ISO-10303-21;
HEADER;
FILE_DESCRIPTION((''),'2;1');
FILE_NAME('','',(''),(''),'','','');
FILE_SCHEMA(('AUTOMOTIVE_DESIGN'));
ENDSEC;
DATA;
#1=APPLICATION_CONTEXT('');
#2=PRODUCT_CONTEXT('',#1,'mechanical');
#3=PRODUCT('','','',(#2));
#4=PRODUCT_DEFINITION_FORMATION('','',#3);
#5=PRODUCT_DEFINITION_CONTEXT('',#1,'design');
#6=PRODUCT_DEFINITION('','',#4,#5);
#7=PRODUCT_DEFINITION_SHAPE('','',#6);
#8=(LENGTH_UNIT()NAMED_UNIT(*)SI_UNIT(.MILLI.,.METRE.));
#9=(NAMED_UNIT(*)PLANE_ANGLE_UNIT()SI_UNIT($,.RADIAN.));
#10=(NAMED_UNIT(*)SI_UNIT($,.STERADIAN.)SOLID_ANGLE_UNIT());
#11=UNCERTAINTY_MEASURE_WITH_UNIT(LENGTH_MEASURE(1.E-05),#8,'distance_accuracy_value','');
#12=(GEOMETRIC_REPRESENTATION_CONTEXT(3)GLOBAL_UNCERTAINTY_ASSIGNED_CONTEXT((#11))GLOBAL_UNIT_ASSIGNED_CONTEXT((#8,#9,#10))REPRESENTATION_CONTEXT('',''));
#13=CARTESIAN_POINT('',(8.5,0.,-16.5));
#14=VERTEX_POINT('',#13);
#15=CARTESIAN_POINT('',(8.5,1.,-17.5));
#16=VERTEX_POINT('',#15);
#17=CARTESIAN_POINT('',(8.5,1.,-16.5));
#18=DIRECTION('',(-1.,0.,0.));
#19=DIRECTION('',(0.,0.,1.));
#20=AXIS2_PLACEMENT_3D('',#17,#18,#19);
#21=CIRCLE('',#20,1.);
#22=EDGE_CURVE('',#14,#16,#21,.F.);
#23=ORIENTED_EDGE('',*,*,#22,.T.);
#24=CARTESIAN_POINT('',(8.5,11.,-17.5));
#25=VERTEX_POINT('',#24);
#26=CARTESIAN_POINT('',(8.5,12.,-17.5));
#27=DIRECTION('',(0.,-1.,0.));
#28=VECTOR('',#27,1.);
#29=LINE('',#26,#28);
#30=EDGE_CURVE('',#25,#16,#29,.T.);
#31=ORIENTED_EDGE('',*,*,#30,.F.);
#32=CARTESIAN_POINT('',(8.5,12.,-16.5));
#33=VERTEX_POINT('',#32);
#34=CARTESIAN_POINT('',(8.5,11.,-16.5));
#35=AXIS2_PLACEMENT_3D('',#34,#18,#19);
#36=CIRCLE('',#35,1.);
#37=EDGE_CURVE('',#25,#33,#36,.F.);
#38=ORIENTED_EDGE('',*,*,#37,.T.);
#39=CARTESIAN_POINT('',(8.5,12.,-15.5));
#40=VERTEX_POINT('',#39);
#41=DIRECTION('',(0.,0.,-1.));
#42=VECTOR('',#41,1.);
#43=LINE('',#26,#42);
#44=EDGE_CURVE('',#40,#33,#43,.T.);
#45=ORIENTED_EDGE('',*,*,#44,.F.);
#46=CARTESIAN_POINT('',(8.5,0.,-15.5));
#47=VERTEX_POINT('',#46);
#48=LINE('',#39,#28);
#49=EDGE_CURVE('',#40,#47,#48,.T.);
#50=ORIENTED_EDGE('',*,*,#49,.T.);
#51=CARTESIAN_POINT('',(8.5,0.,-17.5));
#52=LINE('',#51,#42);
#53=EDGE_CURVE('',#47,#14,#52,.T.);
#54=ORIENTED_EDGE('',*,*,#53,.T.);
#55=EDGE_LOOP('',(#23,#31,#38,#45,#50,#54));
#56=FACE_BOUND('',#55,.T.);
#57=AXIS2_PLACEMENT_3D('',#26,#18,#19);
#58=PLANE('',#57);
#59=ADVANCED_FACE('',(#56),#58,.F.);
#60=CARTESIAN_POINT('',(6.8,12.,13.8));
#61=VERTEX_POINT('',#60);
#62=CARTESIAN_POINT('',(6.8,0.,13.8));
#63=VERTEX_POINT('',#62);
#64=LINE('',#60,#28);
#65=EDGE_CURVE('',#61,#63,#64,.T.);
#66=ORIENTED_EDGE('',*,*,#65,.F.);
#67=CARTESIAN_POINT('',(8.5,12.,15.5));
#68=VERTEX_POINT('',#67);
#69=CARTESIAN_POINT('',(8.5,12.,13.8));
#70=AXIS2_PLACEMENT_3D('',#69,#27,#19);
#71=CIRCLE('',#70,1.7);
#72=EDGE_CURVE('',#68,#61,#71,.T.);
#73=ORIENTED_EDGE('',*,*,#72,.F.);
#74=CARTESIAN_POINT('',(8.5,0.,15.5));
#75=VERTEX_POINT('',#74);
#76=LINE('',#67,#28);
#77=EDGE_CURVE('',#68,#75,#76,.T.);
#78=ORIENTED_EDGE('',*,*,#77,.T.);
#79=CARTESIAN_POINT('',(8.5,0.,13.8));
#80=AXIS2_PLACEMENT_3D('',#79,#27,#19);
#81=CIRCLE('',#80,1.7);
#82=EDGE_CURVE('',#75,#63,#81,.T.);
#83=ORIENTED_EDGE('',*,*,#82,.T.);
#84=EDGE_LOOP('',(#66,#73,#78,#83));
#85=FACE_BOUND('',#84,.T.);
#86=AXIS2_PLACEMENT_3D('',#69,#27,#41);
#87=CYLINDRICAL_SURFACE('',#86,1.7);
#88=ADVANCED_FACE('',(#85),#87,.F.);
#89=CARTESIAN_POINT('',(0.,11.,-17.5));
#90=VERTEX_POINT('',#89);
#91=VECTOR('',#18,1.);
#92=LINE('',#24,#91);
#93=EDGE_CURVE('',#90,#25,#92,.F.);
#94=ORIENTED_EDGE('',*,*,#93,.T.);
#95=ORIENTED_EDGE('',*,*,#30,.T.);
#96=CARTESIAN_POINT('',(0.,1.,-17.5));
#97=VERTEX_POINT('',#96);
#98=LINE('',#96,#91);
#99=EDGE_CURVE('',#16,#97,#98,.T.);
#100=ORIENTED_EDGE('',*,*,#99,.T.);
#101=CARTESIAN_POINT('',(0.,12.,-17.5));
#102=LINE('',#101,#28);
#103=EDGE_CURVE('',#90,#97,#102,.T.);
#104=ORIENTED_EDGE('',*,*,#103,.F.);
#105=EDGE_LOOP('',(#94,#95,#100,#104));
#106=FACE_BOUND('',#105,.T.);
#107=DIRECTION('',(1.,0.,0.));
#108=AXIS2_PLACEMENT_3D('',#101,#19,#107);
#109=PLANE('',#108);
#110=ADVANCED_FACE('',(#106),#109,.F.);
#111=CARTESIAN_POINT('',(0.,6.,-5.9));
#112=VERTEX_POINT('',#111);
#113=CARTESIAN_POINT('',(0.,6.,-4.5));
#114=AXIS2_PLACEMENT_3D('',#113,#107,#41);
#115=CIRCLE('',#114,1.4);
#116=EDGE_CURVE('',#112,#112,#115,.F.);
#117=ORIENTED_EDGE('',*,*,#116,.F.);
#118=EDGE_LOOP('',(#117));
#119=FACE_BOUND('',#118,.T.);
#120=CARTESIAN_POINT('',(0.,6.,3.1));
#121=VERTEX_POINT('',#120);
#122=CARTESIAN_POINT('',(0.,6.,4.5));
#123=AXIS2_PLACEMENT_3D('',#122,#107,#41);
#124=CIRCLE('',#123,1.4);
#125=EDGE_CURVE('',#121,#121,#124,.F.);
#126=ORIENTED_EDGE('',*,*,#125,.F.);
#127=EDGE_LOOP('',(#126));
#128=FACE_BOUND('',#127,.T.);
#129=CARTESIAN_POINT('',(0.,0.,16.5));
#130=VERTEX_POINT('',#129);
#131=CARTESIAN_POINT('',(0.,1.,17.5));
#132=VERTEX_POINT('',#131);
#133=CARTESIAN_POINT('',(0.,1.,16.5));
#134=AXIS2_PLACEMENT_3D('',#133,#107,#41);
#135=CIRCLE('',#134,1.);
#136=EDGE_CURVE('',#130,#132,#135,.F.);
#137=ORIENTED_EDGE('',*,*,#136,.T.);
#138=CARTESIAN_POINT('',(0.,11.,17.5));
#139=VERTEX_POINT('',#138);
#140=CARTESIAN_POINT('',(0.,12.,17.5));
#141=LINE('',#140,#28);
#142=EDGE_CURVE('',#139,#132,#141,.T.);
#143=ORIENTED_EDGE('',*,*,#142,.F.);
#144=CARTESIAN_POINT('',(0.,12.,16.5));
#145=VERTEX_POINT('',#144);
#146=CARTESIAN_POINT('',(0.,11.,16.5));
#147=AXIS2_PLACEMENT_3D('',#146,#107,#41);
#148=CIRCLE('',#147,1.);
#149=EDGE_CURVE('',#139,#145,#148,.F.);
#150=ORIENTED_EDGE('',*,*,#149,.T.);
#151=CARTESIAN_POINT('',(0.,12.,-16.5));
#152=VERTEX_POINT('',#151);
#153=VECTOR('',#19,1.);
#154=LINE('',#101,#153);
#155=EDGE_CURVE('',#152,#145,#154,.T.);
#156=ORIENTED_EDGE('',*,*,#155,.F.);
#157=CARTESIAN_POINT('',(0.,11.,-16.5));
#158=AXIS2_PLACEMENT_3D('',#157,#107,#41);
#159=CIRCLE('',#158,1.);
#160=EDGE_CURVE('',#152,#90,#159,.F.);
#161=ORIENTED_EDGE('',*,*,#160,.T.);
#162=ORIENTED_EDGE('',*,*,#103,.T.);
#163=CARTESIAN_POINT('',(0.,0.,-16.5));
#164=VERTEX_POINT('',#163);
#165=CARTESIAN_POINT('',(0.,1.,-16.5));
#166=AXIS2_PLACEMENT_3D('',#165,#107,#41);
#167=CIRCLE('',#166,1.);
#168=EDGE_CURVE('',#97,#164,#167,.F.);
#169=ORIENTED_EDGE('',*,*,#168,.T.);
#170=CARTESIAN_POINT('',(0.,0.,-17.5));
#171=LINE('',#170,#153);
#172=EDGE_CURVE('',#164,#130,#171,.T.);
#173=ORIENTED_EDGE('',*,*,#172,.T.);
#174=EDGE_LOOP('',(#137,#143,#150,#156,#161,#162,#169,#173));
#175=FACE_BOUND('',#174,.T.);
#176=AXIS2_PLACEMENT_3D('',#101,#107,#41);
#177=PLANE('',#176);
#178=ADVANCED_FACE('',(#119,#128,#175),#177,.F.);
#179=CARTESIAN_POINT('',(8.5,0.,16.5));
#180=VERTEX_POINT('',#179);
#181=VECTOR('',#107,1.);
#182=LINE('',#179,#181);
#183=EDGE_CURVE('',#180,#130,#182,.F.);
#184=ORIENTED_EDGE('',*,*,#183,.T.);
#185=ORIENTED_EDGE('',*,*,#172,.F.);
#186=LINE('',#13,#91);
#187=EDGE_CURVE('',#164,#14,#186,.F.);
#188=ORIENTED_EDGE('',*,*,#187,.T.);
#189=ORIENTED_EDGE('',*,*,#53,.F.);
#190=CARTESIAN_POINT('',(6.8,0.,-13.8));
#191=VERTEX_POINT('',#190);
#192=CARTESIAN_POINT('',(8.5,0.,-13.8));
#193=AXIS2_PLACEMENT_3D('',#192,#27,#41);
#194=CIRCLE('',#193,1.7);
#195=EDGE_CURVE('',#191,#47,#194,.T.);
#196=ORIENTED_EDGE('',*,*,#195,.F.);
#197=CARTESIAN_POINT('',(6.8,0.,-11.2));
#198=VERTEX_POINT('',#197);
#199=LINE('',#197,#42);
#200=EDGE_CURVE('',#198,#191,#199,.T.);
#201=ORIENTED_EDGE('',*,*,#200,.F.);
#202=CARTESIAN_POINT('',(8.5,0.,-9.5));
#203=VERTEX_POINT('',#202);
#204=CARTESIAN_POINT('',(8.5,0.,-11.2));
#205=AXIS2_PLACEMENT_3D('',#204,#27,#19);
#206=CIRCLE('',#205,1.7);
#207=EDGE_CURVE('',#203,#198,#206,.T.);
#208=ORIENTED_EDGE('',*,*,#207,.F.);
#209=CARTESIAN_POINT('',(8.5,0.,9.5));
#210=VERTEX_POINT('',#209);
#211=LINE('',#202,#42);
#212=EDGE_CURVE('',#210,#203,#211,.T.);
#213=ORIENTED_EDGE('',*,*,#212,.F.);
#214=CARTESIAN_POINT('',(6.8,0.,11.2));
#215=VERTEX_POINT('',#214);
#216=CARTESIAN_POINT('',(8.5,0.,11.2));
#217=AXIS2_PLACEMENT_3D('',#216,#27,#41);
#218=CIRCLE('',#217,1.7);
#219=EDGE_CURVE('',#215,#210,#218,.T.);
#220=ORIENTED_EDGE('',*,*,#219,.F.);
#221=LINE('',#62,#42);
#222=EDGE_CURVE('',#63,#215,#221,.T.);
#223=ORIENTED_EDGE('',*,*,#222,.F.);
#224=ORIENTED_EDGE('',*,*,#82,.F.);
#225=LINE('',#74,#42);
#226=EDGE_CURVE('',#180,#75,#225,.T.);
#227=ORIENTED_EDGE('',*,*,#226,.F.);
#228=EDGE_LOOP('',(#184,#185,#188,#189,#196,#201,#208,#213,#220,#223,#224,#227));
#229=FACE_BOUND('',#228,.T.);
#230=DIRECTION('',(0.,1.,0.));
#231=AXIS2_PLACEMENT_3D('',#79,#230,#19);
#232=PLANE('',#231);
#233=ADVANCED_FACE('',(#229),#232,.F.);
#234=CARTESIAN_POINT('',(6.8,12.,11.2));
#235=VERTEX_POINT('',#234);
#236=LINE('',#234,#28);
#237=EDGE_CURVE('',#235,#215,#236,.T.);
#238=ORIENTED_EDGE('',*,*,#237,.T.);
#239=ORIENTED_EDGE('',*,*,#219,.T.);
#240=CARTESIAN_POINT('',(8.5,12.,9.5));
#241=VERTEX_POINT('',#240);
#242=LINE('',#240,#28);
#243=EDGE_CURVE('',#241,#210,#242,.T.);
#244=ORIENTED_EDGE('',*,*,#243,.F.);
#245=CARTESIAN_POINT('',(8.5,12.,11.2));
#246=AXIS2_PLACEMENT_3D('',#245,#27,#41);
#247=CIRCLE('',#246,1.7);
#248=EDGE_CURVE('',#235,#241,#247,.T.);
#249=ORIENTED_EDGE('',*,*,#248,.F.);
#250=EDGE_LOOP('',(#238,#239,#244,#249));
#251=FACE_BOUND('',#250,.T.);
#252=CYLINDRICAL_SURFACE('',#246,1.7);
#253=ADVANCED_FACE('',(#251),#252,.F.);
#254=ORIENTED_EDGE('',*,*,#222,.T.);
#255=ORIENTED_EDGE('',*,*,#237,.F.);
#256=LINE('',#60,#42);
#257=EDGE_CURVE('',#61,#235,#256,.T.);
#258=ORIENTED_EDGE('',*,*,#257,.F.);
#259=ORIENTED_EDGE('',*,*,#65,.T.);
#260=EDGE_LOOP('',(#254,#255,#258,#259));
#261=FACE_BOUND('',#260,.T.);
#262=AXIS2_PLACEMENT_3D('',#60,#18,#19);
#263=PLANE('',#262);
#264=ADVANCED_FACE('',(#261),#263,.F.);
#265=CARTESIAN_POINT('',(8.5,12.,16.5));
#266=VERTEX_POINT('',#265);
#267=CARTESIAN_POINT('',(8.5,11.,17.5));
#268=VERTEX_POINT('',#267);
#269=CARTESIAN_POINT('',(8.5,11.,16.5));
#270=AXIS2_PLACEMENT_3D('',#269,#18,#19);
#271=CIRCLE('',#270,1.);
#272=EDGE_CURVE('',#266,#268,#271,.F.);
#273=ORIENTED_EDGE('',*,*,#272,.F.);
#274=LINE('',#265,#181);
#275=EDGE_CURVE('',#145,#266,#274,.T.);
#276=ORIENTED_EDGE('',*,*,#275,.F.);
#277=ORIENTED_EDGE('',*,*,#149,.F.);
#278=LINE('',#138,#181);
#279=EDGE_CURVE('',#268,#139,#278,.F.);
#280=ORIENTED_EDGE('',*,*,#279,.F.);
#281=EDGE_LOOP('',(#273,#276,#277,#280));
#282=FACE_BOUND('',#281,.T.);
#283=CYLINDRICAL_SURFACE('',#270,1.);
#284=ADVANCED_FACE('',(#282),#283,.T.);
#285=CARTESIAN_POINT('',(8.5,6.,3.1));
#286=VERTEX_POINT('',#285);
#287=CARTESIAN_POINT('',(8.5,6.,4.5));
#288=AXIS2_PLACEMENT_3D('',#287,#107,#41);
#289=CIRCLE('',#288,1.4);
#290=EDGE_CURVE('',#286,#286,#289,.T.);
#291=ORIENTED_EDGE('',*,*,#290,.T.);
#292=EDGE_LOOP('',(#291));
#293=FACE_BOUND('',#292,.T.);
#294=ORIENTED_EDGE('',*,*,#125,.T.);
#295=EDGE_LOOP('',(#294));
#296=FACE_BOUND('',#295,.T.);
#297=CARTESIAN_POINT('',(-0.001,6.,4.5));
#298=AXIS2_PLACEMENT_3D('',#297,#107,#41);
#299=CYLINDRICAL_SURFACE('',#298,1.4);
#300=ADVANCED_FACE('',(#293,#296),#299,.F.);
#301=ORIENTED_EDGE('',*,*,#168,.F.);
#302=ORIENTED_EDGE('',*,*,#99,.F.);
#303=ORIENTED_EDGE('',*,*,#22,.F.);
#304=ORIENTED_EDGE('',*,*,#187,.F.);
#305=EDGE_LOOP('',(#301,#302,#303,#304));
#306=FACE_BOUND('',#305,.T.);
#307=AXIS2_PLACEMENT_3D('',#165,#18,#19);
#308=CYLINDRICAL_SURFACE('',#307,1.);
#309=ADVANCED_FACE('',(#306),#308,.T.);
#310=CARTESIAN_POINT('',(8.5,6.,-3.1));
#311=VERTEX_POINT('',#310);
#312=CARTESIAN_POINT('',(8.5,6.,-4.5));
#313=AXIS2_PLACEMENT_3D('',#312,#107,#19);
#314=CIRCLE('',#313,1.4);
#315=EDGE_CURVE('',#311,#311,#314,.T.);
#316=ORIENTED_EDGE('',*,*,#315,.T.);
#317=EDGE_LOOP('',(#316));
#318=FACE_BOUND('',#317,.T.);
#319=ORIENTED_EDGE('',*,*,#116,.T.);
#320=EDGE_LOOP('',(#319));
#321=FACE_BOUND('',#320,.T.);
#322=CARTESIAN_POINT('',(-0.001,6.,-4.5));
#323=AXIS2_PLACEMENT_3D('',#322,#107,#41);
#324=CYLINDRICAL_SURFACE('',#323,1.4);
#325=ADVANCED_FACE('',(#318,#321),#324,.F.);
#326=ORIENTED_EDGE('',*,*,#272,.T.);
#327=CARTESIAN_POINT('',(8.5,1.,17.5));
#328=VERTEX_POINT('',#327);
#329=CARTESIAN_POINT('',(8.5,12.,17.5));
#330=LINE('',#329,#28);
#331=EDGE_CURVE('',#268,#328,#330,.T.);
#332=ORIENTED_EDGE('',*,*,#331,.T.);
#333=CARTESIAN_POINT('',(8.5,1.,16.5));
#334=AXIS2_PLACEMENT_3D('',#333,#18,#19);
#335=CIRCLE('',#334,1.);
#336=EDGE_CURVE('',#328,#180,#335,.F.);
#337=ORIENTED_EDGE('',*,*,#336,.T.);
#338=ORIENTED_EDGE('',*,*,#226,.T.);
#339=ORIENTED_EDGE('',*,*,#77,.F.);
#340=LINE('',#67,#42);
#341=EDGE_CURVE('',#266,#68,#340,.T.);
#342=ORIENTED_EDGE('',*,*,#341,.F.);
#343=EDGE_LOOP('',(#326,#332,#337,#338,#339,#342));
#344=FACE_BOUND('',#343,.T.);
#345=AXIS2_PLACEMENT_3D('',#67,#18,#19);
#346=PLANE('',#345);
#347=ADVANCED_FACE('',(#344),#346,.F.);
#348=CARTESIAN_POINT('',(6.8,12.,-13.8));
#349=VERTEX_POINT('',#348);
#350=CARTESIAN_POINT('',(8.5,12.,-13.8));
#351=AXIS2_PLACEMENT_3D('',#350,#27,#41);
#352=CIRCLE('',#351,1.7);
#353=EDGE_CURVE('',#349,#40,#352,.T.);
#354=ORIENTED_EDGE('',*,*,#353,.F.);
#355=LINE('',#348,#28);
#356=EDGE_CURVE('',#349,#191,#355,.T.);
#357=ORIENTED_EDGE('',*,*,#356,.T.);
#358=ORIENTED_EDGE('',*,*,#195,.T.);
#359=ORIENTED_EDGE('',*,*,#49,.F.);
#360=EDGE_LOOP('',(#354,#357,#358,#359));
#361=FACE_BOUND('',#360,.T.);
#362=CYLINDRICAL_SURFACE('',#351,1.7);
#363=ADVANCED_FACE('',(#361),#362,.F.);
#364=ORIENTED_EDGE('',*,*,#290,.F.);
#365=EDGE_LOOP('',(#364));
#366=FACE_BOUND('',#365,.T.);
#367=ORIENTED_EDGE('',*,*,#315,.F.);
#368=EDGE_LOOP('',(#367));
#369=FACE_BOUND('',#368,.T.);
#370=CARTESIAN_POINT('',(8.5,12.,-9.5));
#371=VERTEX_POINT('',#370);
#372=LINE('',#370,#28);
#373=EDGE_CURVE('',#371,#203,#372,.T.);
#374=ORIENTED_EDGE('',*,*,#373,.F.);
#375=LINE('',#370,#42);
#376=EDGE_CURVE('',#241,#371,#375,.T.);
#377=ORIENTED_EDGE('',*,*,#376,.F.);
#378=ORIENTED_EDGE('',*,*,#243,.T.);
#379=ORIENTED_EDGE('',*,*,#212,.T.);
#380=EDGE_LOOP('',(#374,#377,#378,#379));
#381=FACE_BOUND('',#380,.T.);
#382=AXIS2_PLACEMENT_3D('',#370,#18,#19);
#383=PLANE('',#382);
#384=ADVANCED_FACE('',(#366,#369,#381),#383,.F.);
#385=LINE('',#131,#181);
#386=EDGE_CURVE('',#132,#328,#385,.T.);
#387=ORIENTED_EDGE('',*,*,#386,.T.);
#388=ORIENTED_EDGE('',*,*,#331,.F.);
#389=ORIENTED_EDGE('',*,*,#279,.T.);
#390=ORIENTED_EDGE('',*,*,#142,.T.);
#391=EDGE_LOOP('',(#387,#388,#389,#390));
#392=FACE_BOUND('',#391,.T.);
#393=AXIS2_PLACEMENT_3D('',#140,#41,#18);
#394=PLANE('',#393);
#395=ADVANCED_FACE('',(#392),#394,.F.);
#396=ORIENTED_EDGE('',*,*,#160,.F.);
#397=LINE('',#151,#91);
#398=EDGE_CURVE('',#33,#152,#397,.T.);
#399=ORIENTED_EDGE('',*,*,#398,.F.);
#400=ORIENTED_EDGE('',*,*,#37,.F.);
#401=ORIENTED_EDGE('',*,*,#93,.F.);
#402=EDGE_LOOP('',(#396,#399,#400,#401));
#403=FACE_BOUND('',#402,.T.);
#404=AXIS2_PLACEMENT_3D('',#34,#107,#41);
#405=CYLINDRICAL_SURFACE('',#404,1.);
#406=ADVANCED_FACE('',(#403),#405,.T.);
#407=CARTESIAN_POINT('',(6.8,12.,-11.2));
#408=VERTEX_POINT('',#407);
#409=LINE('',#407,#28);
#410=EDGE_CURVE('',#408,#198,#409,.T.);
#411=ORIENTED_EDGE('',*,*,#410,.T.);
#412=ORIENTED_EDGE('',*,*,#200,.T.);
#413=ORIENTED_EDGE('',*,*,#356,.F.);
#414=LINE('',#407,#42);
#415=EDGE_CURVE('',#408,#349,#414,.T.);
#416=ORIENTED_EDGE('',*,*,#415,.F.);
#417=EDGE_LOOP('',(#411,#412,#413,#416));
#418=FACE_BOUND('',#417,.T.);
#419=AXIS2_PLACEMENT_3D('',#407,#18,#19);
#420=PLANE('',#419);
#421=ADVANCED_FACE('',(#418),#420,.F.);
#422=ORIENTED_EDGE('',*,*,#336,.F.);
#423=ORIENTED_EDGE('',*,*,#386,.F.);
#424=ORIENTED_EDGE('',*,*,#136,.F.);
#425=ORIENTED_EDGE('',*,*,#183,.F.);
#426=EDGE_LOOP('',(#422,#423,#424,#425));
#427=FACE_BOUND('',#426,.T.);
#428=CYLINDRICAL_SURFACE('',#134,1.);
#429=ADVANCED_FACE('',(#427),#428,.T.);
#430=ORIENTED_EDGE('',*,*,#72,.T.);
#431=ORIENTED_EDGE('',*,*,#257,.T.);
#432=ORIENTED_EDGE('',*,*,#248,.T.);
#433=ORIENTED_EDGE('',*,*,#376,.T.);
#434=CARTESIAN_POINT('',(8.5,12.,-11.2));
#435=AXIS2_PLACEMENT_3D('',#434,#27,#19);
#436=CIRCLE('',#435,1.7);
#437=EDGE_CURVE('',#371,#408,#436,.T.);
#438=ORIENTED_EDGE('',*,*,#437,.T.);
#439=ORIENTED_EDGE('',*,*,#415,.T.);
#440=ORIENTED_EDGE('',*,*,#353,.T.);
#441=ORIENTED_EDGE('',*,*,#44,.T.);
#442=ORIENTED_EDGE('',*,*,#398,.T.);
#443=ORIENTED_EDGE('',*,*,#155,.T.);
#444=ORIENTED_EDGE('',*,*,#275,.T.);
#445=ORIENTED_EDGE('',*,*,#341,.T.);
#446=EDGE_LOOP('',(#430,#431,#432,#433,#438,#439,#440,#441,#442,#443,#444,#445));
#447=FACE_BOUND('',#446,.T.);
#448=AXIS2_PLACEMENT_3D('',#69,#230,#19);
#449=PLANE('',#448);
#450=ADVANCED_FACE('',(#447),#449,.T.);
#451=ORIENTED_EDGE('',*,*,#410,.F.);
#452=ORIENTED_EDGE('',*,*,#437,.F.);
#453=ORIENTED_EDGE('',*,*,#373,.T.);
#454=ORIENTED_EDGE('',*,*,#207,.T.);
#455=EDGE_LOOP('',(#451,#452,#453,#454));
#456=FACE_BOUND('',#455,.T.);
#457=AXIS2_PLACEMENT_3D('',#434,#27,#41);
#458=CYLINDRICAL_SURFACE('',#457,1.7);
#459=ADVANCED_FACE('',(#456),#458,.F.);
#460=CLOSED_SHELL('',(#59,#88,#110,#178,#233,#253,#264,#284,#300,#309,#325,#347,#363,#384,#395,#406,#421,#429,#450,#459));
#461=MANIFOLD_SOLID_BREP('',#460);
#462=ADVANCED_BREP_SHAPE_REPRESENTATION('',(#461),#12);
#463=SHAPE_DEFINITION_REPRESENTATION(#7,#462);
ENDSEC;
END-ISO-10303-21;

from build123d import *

# Parameters (mm, degrees)
BASE_DEPTH                = 12
CASE_MOUNTING_HOLES_REACH = 24.858
SKETCH2_R                 = 1.4
F_1MM_EDGE_FILLETS_R      = 1


with BuildPart() as part:
    # Sketch1 → Base (new body)
    with BuildSketch(Plane(origin=(0, 0, 0), x_dir=(1, 0, 0), z_dir=(0, 1, 0))):
        with BuildLine():
            Line((8.5, 17.5), (8.5, 15.5))
            ThreePointArc((8.5, 15.5), (7.297918472, 15.002081528), (6.8, 13.8))
            Line((6.8, 13.8), (6.8, 11.2))
            ThreePointArc((6.8, 11.2), (7.297918472, 9.997918472), (8.5, 9.5))
            Line((8.5, 9.5), (8.5, -9.5))
            ThreePointArc((8.5, -9.5), (7.297918472, -9.997918472), (6.8, -11.2))
            Line((6.8, -11.2), (6.8, -13.8))
            ThreePointArc((6.8, -13.8), (7.297918472, -15.002081528), (8.5, -15.5))
            Line((8.5, -15.5), (8.5, -17.5))
            Line((8.5, -17.5), (0, -17.5))
            Line((0, -17.5), (0, 17.5))
            Line((0, 17.5), (8.5, 17.5))
        make_face()
    extrude(amount=BASE_DEPTH)

    # Sketch2 → Case Mounting Holes (cut, up to next)
    with BuildSketch(Plane(origin=(8.5, 0, 0), x_dir=(0, 0, -1), z_dir=(1, 0, 0)), mode=Mode.PRIVATE) as case_mounting_holes_sk1:
        with Locations((-4.5, 6)):
            Circle(SKETCH2_R)
    case_mounting_holes_tool1 = extrude(case_mounting_holes_sk1.sketch, amount=-CASE_MOUNTING_HOLES_REACH, mode=Mode.PRIVATE) & part.part
    # Sketch2 → Case Mounting Holes (cut, up to next)
    with BuildSketch(Plane(origin=(8.5, 0, 0), x_dir=(0, 0, -1), z_dir=(1, 0, 0)), mode=Mode.PRIVATE) as case_mounting_holes_sk2:
        with Locations((4.5, 6)):
            Circle(SKETCH2_R)
    case_mounting_holes_tool2 = extrude(case_mounting_holes_sk2.sketch, amount=-CASE_MOUNTING_HOLES_REACH, mode=Mode.PRIVATE) & part.part
    add(case_mounting_holes_tool1.solids().sort_by_distance((8.5, 6, 4.5))[0], mode=Mode.SUBTRACT)
    add(case_mounting_holes_tool2.solids().sort_by_distance((8.5, 6, -4.5))[0], mode=Mode.SUBTRACT)

    # 1mm Edge Fillets
    f_1mm_edge_fillets_edges = [part.edges().sort_by_distance(p)[0] for p in [
        (4.25, 0, -17.5),
        (4.25, 0, 17.5),
        (4.25, 12, -17.5),
        (4.25, 12, 17.5),
    ]]
    fillet(f_1mm_edge_fillets_edges, radius=F_1MM_EDGE_FILLETS_R)


solid = part.part
